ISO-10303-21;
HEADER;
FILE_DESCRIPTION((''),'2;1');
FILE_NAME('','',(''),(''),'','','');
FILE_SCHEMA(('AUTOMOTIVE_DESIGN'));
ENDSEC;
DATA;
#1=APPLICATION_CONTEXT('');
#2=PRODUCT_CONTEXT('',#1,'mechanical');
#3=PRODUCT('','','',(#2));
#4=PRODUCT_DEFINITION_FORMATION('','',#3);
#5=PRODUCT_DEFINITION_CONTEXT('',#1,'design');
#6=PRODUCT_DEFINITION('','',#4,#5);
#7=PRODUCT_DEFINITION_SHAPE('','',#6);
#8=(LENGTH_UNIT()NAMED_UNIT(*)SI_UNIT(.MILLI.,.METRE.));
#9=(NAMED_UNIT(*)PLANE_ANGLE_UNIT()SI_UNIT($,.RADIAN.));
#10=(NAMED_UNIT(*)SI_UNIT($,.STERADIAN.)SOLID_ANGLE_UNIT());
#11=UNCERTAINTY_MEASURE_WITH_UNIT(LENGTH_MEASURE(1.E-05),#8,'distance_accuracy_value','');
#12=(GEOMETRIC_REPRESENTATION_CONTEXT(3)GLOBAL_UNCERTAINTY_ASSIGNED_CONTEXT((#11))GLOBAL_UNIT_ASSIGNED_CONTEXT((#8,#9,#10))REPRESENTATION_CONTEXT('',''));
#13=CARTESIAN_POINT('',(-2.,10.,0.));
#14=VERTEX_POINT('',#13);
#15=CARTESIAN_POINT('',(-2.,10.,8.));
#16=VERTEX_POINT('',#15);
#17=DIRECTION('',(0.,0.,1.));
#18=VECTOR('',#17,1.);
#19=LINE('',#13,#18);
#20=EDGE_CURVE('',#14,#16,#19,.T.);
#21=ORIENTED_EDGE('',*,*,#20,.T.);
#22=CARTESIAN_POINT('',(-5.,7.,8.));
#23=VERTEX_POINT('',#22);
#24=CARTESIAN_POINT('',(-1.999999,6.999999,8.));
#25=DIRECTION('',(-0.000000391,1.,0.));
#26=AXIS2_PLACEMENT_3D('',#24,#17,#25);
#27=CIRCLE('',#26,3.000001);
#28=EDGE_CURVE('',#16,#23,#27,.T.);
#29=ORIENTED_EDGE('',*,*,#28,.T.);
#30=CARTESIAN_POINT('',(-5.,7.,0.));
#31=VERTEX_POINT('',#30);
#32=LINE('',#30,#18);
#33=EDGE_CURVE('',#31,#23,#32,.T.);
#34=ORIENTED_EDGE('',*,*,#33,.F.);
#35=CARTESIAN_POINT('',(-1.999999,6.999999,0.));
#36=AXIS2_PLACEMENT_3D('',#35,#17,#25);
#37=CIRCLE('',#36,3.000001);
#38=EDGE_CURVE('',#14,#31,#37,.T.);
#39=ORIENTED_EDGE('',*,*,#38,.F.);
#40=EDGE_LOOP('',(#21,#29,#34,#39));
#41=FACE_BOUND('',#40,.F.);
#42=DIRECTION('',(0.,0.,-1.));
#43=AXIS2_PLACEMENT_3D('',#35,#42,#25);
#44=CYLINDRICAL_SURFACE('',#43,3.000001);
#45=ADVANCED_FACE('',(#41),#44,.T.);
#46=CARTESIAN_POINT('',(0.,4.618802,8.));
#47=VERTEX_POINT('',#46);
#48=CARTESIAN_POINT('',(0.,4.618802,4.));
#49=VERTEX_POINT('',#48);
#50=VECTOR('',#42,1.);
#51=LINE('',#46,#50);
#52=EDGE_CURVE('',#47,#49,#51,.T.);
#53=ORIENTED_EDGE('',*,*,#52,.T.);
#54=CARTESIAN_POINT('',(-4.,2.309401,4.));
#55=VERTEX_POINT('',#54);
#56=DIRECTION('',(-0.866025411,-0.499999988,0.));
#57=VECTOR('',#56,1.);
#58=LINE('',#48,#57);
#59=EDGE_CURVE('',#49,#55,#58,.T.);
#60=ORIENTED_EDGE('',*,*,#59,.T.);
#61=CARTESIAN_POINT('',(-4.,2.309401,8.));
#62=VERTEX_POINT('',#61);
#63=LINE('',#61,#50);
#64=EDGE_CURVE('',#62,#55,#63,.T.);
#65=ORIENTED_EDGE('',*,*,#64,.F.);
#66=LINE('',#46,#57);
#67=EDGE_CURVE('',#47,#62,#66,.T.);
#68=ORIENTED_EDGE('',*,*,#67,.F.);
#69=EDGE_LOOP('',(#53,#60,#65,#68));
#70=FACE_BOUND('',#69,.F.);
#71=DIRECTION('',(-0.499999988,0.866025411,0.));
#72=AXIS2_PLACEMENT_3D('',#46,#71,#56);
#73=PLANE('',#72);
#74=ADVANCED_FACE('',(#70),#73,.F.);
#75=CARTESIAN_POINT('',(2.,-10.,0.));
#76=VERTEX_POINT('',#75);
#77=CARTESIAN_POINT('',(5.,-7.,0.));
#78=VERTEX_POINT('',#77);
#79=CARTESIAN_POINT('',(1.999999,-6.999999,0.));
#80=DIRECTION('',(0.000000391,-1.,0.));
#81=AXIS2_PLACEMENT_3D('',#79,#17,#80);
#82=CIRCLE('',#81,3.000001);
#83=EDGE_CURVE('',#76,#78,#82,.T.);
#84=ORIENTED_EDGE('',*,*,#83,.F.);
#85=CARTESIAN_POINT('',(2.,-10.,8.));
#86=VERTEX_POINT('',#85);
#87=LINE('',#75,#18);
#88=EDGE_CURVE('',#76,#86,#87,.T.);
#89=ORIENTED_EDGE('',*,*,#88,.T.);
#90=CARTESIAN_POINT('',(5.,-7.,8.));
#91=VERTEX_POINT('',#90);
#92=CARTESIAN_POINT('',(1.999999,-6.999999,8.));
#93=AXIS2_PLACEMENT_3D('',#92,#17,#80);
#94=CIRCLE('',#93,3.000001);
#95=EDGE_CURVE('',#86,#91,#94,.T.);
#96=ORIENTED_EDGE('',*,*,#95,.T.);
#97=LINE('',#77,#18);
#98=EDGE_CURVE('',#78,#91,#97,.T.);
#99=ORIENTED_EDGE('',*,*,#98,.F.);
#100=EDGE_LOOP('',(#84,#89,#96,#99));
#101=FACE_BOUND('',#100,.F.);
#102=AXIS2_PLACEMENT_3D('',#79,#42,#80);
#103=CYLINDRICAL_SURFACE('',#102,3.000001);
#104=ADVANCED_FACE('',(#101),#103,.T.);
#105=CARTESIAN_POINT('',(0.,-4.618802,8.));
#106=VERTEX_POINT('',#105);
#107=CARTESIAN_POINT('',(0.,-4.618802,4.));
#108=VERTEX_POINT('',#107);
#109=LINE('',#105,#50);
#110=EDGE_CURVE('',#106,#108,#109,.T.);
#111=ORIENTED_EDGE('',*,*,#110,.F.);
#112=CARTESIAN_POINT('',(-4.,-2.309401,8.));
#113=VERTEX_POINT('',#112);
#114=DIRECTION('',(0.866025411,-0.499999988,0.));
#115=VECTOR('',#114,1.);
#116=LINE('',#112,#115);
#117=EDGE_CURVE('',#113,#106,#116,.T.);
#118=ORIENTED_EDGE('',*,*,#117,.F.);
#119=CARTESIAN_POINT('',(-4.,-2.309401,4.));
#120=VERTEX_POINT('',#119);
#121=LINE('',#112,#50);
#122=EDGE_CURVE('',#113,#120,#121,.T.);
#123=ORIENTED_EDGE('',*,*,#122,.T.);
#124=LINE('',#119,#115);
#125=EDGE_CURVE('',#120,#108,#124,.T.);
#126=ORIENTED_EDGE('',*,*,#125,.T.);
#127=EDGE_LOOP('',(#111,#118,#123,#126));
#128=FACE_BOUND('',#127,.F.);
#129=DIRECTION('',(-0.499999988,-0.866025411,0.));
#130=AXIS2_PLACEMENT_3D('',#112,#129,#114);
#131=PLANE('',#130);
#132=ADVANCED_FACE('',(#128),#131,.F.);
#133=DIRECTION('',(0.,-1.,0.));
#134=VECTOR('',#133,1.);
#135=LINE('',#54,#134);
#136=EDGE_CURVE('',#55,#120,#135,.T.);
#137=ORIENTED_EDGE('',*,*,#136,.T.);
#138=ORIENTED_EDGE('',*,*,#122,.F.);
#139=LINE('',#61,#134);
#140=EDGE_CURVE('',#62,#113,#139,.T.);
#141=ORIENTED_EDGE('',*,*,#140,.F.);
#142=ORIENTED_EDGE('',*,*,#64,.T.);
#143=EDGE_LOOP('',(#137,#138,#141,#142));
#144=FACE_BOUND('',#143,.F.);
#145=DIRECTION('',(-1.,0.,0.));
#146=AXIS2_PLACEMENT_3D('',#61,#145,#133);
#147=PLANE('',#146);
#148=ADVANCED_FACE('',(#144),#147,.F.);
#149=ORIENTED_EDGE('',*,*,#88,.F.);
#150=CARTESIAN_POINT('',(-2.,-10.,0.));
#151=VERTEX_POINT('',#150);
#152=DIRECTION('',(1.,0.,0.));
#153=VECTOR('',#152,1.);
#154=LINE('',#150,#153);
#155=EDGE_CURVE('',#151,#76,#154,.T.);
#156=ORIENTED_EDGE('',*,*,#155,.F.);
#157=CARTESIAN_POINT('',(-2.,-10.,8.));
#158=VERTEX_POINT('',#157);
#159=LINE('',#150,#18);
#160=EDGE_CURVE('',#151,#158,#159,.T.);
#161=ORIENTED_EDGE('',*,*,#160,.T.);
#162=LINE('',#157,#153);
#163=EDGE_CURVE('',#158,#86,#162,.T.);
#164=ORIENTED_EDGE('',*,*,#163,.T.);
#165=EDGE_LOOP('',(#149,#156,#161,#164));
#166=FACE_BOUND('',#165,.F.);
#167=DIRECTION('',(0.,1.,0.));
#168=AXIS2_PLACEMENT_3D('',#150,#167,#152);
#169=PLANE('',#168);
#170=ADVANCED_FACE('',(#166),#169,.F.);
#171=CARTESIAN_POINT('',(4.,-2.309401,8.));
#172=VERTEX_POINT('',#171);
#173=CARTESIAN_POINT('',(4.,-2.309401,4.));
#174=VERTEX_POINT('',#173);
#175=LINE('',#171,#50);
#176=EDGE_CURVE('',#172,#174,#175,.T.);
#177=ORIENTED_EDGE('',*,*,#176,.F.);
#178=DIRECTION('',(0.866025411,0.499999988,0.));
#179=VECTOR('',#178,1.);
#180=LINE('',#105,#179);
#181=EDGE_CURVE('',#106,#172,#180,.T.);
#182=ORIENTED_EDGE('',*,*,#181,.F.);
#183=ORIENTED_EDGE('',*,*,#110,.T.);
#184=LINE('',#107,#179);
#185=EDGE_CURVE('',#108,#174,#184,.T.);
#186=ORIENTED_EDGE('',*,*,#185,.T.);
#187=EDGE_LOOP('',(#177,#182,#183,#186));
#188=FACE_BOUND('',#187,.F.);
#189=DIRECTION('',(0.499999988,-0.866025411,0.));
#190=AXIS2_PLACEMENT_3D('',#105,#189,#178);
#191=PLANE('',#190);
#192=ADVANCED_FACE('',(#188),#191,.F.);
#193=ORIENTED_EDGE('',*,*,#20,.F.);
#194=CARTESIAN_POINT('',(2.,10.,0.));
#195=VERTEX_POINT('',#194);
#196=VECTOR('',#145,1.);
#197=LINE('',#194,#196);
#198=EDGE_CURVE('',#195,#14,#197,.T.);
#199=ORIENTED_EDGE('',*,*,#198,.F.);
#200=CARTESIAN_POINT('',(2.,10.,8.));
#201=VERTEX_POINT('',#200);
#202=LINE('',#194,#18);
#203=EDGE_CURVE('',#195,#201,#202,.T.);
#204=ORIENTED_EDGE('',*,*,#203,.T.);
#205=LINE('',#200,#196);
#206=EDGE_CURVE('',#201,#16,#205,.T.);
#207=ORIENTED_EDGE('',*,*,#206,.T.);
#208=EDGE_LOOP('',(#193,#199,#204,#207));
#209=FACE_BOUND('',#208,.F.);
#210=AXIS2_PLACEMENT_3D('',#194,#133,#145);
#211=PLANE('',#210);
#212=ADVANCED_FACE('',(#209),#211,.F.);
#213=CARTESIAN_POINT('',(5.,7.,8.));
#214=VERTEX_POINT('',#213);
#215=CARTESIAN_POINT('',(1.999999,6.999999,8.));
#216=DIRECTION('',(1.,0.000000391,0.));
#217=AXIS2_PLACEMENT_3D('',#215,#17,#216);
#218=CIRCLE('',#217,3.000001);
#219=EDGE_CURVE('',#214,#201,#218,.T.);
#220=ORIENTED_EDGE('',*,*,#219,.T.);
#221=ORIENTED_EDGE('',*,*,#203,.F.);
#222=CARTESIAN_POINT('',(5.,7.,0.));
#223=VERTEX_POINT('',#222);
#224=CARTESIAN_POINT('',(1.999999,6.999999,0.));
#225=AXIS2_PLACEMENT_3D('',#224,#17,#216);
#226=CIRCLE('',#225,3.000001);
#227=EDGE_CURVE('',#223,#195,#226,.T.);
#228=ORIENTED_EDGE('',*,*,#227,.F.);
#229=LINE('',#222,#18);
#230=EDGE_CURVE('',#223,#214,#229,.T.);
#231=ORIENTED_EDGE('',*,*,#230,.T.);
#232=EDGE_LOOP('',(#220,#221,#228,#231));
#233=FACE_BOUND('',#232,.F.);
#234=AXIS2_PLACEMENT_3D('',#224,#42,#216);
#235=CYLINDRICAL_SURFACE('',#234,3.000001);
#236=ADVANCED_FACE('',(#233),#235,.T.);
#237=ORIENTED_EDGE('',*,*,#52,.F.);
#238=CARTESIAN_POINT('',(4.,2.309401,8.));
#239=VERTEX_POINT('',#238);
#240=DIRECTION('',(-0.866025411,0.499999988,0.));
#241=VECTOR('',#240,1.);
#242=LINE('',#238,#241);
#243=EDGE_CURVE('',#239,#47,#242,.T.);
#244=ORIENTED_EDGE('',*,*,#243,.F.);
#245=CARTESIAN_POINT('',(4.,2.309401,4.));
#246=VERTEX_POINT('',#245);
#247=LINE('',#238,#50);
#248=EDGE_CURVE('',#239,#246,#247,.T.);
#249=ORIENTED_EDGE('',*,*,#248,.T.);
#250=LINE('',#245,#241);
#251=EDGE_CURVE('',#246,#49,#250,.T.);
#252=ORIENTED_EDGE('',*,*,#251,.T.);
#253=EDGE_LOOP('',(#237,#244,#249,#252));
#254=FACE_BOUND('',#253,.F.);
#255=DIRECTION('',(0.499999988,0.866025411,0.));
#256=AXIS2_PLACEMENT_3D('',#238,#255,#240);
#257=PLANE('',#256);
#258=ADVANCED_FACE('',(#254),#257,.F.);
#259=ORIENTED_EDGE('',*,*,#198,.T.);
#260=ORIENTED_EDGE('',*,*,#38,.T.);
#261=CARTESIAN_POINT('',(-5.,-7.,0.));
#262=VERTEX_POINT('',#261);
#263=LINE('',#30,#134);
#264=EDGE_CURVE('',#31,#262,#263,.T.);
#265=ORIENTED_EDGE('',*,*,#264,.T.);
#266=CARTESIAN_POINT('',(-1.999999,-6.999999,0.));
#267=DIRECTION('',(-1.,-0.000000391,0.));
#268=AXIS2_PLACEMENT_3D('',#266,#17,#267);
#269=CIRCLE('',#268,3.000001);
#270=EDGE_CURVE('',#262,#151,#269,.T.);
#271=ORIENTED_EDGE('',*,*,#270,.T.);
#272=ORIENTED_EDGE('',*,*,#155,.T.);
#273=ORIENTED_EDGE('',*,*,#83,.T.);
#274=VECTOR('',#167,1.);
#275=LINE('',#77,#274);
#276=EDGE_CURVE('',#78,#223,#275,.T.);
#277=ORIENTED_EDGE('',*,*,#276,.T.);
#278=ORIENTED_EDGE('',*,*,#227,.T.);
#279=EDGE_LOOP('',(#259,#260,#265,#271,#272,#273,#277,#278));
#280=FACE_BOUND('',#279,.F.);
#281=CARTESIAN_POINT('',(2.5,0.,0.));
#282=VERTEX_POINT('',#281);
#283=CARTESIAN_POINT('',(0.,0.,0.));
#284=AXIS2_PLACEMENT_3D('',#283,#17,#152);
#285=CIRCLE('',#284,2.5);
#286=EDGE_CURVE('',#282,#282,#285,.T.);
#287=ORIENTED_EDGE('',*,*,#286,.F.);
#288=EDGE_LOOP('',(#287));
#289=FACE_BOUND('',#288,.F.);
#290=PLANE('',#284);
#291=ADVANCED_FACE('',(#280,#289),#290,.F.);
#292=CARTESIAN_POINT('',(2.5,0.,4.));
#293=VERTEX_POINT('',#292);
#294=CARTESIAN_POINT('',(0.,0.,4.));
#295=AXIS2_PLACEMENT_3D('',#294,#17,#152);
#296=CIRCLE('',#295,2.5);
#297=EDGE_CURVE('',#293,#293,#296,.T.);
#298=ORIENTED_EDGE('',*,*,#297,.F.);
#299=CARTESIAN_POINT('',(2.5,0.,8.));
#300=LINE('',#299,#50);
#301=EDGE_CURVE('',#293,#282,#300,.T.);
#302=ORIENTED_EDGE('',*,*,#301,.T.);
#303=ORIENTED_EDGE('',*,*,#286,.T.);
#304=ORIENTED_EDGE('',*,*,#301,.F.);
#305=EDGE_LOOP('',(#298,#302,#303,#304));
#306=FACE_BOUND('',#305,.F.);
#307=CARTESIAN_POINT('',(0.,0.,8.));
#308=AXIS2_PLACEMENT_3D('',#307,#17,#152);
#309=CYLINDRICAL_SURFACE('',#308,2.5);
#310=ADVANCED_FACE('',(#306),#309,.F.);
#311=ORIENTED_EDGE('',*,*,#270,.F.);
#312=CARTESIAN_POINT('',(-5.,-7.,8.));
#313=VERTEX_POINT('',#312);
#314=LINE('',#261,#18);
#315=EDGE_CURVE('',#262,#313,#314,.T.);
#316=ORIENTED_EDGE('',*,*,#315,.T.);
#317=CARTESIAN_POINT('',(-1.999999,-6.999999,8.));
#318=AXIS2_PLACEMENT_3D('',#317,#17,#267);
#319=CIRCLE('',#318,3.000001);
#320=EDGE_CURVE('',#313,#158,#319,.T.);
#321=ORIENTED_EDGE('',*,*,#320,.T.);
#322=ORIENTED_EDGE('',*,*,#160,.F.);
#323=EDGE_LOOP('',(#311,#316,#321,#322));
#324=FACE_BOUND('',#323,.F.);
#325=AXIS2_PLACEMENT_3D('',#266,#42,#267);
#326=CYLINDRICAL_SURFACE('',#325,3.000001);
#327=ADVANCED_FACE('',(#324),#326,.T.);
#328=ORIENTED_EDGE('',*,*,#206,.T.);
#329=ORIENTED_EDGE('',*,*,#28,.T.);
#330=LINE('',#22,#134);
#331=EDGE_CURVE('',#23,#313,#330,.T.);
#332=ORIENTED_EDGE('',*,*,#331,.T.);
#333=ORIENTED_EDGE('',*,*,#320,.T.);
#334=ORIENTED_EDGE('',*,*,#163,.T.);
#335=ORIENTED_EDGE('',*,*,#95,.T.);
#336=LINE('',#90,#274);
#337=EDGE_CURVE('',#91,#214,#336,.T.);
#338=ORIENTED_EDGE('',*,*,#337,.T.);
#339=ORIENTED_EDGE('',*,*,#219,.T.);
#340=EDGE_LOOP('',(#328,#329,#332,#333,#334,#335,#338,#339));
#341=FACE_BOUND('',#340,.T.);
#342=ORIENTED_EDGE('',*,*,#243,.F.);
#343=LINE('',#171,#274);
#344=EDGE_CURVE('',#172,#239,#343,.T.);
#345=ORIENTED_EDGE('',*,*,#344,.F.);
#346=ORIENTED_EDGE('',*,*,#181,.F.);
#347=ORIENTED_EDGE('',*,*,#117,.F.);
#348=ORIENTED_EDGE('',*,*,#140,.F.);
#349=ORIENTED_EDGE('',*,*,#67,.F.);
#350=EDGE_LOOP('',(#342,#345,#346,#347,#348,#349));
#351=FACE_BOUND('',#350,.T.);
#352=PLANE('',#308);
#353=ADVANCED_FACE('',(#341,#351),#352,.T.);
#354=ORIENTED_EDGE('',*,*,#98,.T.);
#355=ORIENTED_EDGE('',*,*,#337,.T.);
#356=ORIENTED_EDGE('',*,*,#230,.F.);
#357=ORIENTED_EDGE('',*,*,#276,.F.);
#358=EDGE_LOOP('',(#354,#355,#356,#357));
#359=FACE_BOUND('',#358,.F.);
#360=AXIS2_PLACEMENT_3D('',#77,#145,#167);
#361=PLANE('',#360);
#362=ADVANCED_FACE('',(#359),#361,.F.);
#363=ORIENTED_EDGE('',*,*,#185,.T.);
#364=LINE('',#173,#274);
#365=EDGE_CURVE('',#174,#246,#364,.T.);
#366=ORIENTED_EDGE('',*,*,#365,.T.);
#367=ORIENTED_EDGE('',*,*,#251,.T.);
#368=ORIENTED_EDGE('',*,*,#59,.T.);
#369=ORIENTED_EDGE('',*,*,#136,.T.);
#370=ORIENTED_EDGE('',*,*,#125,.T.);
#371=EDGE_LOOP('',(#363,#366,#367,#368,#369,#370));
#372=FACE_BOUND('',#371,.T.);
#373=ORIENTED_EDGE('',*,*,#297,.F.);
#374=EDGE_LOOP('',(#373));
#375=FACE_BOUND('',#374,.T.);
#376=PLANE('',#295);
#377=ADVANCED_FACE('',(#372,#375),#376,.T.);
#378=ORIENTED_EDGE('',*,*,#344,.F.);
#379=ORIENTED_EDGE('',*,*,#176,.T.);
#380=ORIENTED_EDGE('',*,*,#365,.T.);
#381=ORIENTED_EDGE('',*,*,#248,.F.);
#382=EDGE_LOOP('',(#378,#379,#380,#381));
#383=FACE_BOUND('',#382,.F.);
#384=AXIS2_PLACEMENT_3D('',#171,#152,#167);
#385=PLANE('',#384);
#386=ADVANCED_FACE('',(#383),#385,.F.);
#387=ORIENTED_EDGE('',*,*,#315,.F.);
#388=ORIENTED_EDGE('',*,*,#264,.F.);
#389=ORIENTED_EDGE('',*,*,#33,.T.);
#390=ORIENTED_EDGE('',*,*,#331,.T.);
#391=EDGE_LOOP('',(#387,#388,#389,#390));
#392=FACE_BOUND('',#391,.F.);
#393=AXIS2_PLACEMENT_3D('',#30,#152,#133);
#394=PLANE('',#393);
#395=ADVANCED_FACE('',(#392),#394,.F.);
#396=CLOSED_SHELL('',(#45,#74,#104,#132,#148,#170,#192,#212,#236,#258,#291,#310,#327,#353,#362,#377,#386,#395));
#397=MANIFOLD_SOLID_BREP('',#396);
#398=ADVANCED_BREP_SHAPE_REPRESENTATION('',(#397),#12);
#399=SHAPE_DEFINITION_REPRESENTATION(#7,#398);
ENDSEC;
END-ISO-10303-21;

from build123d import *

# Parameters (mm, degrees)
F1_DEPTH = 8
F2_R     = 2.5
F3_DEPTH = 25
F5_DEPTH = 4


with BuildPart() as f1:
    # F0 (on Top) → F1 (new body)
    with BuildSketch(Plane.XY):
        with BuildLine():
            Line((-2, -10), (2, -10))
            ThreePointArc((2, -10), (4.12132, -9.12132), (5, -7))
            Line((5, -7), (5, 7))
            ThreePointArc((5, 7), (4.12132, 9.12132), (2, 10))
            Line((2, 10), (-2, 10))
            ThreePointArc((-2, 10), (-4.12132, 9.12132), (-5, 7))
            Line((-5, 7), (-5, -7))
            ThreePointArc((-5, -7), (-4.12132, -9.12132), (-2, -10))
        make_face()
    extrude(amount=F1_DEPTH)

    # F2 (on face) → F3 (cut)
    with BuildSketch(Plane.XY.offset(8)):
        Circle(F2_R)
    extrude(amount=-F3_DEPTH, mode=Mode.SUBTRACT)

    # F4 (on face) → F5 (cut)
    with BuildSketch(Plane.XY.offset(8)):
        Polygon((0, -4.618802), (4, -2.309401), (4, 2.309401), (0, 4.618802), (-4, 2.309401), (-4, -2.309401), align=None)
    extrude(amount=-F5_DEPTH, mode=Mode.SUBTRACT)


solid = f1.part
